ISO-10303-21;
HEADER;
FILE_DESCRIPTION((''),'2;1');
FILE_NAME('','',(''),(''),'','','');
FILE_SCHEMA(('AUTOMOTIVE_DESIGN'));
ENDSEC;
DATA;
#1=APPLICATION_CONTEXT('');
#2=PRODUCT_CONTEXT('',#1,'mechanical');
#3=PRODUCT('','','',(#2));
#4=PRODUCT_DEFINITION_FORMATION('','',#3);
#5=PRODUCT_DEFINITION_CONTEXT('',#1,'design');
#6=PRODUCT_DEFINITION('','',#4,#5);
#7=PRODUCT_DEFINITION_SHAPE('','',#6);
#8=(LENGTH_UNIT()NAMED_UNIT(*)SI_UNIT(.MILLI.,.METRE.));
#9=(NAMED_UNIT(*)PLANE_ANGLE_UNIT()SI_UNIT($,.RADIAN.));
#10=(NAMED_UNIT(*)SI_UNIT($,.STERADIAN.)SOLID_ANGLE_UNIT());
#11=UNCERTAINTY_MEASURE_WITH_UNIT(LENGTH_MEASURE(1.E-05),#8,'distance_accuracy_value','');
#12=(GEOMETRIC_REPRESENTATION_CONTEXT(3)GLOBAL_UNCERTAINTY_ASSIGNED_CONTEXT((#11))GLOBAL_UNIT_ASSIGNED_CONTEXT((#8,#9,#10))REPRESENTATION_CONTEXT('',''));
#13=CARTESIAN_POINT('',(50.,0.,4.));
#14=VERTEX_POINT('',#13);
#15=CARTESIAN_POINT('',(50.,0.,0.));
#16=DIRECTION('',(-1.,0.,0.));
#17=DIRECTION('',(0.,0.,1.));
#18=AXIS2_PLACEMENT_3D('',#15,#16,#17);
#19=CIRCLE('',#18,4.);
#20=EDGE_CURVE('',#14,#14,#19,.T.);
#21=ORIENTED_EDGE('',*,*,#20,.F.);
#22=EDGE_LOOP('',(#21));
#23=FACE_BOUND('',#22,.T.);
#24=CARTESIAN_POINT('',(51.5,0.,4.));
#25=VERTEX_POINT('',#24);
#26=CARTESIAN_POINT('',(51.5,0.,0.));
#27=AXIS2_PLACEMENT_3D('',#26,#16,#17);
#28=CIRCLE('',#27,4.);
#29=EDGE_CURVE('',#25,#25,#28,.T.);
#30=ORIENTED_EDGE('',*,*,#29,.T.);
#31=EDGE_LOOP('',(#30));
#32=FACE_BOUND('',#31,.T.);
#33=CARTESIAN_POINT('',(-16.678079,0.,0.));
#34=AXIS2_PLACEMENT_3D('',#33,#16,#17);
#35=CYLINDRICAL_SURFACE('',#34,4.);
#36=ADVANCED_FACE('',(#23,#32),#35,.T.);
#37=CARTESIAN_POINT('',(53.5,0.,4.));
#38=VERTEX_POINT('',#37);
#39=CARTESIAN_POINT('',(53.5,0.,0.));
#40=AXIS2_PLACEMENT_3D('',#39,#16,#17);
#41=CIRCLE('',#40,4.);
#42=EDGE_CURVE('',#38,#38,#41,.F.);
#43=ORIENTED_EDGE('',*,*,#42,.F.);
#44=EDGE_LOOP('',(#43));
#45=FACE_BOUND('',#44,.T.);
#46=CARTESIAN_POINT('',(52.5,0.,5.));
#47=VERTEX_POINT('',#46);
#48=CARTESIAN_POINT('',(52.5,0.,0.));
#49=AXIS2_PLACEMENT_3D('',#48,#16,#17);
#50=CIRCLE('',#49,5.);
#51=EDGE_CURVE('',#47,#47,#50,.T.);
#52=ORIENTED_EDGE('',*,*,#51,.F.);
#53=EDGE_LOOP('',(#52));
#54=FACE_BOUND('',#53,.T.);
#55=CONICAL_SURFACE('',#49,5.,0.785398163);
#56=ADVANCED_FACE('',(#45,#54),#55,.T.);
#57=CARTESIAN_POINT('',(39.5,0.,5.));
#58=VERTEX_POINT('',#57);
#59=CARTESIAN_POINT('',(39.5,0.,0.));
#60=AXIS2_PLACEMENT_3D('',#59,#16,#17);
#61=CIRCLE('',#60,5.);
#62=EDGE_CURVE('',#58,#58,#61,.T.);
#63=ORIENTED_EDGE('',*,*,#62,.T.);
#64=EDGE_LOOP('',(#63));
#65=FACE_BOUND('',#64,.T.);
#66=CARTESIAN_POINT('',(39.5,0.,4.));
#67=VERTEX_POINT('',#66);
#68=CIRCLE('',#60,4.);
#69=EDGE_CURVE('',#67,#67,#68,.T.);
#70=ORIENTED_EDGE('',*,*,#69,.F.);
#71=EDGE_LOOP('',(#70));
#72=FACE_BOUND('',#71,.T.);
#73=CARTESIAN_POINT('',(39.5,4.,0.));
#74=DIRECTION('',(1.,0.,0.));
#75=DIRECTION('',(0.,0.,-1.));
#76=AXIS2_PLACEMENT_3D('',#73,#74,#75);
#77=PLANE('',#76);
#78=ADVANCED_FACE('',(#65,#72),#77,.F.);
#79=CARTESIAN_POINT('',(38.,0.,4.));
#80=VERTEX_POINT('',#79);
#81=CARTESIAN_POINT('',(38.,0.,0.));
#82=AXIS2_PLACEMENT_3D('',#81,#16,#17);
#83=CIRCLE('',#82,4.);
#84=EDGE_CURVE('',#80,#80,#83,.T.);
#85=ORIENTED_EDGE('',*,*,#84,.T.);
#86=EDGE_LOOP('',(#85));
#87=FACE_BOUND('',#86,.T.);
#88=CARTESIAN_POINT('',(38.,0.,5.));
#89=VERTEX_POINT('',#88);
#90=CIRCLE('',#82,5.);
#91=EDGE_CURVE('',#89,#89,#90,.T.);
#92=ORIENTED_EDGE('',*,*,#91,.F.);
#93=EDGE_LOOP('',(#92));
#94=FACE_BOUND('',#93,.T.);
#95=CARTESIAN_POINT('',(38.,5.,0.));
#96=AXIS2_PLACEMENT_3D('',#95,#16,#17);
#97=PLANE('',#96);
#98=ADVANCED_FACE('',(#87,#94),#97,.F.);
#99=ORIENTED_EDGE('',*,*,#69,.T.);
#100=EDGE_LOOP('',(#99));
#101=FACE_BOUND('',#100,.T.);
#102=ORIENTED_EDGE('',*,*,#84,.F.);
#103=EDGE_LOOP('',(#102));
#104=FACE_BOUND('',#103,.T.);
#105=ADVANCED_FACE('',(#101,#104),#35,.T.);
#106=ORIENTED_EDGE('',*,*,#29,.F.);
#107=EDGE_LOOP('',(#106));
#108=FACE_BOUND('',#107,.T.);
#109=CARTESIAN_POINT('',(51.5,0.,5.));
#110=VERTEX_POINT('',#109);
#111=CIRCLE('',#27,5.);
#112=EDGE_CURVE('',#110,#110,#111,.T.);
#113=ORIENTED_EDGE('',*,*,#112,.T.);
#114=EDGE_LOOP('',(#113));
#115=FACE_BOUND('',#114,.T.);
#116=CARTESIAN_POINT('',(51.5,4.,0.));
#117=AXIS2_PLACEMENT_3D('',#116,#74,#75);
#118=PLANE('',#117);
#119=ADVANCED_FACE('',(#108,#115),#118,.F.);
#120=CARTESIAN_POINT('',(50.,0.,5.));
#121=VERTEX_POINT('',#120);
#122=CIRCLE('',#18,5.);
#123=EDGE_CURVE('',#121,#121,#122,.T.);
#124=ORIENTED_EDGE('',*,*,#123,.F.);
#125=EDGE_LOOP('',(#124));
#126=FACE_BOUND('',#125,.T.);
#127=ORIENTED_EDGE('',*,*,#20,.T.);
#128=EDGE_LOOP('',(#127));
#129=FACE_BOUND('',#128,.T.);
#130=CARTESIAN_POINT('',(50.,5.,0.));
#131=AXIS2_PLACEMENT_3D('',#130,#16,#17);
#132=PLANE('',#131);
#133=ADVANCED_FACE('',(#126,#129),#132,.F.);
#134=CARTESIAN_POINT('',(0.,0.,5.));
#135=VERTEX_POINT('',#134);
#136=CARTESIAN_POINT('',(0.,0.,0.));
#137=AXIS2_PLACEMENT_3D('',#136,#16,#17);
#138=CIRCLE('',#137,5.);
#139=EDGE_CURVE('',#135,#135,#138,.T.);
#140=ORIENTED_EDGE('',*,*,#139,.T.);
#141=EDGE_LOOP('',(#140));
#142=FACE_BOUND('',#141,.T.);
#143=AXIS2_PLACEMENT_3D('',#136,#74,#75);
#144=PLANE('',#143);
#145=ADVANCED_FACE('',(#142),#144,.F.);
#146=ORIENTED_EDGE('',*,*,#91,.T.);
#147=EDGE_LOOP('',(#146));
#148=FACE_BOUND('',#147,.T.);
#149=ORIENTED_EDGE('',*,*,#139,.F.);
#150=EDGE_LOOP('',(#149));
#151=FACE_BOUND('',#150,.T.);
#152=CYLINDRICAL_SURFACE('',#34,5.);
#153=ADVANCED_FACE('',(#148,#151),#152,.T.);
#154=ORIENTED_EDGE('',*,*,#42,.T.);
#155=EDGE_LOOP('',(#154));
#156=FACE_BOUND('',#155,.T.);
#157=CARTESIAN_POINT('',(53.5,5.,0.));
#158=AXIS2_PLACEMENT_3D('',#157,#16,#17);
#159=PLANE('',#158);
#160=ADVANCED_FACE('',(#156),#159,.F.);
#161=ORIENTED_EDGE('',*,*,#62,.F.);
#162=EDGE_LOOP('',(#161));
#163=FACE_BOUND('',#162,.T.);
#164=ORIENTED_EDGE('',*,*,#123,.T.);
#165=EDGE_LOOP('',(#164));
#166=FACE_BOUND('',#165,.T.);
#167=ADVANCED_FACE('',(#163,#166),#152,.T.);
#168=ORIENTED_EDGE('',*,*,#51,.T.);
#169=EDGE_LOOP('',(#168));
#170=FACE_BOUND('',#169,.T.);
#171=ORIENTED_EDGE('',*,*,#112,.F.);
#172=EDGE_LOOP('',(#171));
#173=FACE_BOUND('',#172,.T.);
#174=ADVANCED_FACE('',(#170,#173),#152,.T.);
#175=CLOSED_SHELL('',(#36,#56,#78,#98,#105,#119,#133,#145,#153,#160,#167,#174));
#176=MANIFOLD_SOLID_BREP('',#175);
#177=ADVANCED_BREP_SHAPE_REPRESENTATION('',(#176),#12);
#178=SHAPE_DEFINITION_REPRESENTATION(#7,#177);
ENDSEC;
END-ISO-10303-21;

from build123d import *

# Parameters (mm, degrees)
CHAMFER1_SIZE = 1


with BuildPart() as part:
    # Sketch1 → Revolve1 (revolve)
    with BuildSketch(Plane.XY, mode=Mode.PRIVATE) as revolve1_sk:
        Polygon((0, 0), (0, 5), (38, 5), (38, 4), (39.5, 4), (39.5, 5), (50, 5), (50, 4), (51.5, 4), (51.5, 5), (53.5, 5), (53.5, 0), align=None)
    revolve(revolve1_sk.sketch.rotate(Axis((-16.67807852, 0, 0), (1, 0, 0)), 90), axis=Axis((-16.67807852, 0, 0), (1, 0, 0)))

    # Chamfer1
    chamfer1_edges = [part.edges().sort_by_distance(p)[0] for p in [
        (53.5, 0, -5),
    ]]
    chamfer(chamfer1_edges, length=CHAMFER1_SIZE)


solid = part.part
